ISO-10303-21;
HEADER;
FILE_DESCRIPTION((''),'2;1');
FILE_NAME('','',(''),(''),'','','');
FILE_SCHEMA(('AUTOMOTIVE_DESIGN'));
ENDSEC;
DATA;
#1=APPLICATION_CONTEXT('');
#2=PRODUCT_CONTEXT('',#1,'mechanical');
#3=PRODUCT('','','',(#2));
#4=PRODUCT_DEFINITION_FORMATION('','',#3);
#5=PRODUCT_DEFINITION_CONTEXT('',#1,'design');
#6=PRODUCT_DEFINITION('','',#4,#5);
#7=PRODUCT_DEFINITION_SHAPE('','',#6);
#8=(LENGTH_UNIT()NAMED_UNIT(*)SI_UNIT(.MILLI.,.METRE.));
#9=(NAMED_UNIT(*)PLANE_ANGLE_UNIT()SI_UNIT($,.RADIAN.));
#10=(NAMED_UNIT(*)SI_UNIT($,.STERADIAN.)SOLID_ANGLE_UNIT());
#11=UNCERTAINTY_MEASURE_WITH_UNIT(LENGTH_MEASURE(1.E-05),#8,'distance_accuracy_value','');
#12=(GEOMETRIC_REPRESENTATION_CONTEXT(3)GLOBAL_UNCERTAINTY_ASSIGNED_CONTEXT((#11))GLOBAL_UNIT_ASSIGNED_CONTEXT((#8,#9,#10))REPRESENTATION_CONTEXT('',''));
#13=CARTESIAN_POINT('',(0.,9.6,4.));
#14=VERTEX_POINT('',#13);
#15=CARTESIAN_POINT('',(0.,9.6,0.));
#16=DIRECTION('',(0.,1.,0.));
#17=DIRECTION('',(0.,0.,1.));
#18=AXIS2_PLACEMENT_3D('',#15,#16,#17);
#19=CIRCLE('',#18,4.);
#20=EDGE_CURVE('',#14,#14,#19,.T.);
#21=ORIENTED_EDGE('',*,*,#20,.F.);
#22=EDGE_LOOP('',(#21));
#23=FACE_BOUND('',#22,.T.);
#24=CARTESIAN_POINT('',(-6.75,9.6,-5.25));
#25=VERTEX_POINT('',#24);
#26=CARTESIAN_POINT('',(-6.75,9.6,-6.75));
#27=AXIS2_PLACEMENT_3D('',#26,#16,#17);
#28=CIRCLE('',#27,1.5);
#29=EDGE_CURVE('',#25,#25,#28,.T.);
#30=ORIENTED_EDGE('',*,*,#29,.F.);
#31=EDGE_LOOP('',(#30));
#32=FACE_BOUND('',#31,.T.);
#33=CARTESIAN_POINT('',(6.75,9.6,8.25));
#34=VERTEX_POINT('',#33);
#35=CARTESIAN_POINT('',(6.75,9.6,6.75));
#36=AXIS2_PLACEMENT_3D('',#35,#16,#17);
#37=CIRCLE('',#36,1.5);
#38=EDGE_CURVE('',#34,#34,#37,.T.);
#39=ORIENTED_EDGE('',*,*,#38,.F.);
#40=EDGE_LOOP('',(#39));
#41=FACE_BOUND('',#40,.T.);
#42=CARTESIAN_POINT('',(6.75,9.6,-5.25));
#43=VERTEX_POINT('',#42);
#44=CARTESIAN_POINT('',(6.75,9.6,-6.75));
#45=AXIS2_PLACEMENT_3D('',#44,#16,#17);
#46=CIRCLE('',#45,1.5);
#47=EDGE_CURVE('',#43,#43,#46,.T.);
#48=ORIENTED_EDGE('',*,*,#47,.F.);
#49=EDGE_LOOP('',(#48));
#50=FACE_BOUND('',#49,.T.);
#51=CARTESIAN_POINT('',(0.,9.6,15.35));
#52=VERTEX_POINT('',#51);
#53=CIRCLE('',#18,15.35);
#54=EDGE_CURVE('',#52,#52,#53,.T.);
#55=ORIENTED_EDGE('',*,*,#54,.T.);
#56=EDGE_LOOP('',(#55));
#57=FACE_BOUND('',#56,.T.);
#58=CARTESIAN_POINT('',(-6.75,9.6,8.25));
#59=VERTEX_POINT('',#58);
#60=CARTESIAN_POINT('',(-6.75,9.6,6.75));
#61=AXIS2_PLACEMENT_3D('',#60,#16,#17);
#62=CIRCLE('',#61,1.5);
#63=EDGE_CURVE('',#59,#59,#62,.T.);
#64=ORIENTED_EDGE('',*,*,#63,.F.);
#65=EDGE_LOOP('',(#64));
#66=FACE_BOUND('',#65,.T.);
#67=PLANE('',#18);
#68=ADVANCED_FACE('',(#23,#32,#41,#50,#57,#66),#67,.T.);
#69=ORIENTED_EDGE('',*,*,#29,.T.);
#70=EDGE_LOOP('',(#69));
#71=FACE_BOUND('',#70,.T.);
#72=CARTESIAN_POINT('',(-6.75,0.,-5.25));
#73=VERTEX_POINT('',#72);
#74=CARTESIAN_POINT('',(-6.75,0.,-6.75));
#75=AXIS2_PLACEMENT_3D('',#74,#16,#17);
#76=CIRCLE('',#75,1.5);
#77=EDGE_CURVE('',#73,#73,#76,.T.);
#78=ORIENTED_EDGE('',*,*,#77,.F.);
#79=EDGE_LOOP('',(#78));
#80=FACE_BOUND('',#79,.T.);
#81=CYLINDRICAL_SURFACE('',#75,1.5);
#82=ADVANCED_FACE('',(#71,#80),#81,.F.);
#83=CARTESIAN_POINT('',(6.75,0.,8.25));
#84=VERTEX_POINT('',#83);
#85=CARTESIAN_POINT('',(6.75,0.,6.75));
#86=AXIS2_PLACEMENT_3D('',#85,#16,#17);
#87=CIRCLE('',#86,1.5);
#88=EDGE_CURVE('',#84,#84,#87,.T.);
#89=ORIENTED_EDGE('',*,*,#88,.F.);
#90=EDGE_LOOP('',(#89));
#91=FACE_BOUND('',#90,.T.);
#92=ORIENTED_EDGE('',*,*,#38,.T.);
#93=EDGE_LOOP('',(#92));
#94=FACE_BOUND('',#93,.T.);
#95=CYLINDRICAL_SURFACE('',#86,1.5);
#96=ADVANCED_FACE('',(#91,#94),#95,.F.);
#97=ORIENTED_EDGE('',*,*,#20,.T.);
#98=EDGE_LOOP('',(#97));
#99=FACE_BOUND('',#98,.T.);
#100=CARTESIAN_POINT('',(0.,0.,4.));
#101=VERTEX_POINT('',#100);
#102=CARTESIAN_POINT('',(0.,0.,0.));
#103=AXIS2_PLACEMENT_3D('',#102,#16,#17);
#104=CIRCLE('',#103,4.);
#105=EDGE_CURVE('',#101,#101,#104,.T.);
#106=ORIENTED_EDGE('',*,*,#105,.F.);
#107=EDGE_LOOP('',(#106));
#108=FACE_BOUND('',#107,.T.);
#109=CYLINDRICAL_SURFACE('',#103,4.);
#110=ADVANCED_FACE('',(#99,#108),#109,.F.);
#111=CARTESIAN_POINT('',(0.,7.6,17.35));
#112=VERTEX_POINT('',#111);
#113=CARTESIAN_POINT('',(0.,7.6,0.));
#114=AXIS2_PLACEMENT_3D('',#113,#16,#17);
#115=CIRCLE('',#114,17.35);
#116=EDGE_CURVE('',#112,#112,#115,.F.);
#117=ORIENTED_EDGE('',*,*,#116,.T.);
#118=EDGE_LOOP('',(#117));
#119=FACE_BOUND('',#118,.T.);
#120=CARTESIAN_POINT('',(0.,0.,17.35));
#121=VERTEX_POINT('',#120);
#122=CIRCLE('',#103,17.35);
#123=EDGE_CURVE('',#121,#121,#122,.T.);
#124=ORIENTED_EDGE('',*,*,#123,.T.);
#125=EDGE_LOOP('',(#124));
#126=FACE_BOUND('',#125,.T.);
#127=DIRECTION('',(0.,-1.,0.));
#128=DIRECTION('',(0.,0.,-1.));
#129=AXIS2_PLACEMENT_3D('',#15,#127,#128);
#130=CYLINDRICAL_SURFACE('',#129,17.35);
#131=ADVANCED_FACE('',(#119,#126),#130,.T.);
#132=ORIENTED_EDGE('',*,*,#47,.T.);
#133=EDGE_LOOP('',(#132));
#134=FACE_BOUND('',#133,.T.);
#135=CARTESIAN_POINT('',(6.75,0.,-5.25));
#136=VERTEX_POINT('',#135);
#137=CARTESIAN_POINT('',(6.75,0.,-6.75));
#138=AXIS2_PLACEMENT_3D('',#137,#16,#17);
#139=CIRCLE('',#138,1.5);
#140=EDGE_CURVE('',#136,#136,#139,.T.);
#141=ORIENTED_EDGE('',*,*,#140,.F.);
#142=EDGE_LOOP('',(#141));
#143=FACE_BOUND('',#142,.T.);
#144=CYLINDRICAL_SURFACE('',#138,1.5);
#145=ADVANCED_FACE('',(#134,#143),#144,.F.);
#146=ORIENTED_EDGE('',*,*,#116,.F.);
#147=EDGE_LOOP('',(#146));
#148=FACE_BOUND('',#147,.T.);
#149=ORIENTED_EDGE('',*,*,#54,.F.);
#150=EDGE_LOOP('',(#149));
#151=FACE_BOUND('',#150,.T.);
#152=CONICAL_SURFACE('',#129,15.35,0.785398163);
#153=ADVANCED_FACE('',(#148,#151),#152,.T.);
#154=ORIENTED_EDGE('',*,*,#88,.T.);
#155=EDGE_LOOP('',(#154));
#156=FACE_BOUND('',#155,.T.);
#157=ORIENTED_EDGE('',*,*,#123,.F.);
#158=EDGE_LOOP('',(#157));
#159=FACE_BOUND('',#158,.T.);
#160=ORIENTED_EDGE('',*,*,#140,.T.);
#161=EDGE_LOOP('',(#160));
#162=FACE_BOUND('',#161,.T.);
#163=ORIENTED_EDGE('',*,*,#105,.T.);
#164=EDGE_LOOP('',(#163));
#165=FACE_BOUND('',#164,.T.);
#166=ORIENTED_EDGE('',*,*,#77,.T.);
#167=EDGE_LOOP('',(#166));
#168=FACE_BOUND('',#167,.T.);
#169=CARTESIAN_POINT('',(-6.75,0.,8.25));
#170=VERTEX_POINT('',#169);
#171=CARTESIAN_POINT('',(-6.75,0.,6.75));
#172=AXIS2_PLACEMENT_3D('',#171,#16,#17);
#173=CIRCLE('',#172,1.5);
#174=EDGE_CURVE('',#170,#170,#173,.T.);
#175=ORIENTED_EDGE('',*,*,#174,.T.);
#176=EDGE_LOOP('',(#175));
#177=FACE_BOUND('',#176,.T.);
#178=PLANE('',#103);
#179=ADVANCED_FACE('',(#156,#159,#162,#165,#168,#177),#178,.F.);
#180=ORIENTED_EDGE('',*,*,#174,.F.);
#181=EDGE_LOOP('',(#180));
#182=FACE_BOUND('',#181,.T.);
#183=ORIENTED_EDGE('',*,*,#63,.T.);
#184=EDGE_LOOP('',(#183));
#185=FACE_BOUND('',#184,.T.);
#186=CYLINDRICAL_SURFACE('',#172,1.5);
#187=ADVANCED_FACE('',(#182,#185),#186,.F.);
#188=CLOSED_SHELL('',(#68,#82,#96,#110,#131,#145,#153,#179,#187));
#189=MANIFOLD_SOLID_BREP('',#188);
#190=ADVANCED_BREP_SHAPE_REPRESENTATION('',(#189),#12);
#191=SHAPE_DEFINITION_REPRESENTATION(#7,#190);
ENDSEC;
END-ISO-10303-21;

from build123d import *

# Parameters (mm, degrees)
SKETCH_1_R          = 17.35
EXTRUDE_1_DEPTH     = 9.6
CHAMFER_1_SIZE      = 2
SKETCH_2_R          = 4
SKETCH_2_R_2        = 1.5
CUT_EXTRUDE_1_DEPTH = 9.6


with BuildPart() as part:
    # 草图1 → 凸台-拉伸1 (new body)
    with BuildSketch(Plane(origin=(0, 0, 0), x_dir=(1, 0, 0), z_dir=(0, 1, 0))):
        with Locations(Location((0, 0, 0), (0, 0, 270))):
            Circle(SKETCH_1_R)
    extrude(amount=EXTRUDE_1_DEPTH)

    # 倒角1
    chamfer_1_edges = [part.edges().sort_by_distance(p)[0] for p in [
        (0, 9.6, -17.35),
    ]]
    chamfer(chamfer_1_edges, length=CHAMFER_1_SIZE)

    # 草图2 → 切除-拉伸1 (cut)
    with BuildSketch(Plane(origin=(0, 9.6, 0), x_dir=(1, 0, 0), z_dir=(0, 1, 0))):
        with Locations(Location((0, 0, 0), (0, 0, 270))):
            Circle(SKETCH_2_R)
        with Locations(Location((-6.75, 6.75, 0), (0, 0, 270))):
            Circle(SKETCH_2_R_2)
        with Locations(Location((6.75, 6.75, 0), (0, 0, 270))):
            Circle(SKETCH_2_R_2)
        with Locations(Location((6.75, -6.75, 0), (0, 0, 270))):
            Circle(SKETCH_2_R_2)
        with Locations(Location((-6.75, -6.75, 0), (0, 0, 270))):
            Circle(SKETCH_2_R_2)
    extrude(amount=-CUT_EXTRUDE_1_DEPTH, mode=Mode.SUBTRACT)


solid = part.part
